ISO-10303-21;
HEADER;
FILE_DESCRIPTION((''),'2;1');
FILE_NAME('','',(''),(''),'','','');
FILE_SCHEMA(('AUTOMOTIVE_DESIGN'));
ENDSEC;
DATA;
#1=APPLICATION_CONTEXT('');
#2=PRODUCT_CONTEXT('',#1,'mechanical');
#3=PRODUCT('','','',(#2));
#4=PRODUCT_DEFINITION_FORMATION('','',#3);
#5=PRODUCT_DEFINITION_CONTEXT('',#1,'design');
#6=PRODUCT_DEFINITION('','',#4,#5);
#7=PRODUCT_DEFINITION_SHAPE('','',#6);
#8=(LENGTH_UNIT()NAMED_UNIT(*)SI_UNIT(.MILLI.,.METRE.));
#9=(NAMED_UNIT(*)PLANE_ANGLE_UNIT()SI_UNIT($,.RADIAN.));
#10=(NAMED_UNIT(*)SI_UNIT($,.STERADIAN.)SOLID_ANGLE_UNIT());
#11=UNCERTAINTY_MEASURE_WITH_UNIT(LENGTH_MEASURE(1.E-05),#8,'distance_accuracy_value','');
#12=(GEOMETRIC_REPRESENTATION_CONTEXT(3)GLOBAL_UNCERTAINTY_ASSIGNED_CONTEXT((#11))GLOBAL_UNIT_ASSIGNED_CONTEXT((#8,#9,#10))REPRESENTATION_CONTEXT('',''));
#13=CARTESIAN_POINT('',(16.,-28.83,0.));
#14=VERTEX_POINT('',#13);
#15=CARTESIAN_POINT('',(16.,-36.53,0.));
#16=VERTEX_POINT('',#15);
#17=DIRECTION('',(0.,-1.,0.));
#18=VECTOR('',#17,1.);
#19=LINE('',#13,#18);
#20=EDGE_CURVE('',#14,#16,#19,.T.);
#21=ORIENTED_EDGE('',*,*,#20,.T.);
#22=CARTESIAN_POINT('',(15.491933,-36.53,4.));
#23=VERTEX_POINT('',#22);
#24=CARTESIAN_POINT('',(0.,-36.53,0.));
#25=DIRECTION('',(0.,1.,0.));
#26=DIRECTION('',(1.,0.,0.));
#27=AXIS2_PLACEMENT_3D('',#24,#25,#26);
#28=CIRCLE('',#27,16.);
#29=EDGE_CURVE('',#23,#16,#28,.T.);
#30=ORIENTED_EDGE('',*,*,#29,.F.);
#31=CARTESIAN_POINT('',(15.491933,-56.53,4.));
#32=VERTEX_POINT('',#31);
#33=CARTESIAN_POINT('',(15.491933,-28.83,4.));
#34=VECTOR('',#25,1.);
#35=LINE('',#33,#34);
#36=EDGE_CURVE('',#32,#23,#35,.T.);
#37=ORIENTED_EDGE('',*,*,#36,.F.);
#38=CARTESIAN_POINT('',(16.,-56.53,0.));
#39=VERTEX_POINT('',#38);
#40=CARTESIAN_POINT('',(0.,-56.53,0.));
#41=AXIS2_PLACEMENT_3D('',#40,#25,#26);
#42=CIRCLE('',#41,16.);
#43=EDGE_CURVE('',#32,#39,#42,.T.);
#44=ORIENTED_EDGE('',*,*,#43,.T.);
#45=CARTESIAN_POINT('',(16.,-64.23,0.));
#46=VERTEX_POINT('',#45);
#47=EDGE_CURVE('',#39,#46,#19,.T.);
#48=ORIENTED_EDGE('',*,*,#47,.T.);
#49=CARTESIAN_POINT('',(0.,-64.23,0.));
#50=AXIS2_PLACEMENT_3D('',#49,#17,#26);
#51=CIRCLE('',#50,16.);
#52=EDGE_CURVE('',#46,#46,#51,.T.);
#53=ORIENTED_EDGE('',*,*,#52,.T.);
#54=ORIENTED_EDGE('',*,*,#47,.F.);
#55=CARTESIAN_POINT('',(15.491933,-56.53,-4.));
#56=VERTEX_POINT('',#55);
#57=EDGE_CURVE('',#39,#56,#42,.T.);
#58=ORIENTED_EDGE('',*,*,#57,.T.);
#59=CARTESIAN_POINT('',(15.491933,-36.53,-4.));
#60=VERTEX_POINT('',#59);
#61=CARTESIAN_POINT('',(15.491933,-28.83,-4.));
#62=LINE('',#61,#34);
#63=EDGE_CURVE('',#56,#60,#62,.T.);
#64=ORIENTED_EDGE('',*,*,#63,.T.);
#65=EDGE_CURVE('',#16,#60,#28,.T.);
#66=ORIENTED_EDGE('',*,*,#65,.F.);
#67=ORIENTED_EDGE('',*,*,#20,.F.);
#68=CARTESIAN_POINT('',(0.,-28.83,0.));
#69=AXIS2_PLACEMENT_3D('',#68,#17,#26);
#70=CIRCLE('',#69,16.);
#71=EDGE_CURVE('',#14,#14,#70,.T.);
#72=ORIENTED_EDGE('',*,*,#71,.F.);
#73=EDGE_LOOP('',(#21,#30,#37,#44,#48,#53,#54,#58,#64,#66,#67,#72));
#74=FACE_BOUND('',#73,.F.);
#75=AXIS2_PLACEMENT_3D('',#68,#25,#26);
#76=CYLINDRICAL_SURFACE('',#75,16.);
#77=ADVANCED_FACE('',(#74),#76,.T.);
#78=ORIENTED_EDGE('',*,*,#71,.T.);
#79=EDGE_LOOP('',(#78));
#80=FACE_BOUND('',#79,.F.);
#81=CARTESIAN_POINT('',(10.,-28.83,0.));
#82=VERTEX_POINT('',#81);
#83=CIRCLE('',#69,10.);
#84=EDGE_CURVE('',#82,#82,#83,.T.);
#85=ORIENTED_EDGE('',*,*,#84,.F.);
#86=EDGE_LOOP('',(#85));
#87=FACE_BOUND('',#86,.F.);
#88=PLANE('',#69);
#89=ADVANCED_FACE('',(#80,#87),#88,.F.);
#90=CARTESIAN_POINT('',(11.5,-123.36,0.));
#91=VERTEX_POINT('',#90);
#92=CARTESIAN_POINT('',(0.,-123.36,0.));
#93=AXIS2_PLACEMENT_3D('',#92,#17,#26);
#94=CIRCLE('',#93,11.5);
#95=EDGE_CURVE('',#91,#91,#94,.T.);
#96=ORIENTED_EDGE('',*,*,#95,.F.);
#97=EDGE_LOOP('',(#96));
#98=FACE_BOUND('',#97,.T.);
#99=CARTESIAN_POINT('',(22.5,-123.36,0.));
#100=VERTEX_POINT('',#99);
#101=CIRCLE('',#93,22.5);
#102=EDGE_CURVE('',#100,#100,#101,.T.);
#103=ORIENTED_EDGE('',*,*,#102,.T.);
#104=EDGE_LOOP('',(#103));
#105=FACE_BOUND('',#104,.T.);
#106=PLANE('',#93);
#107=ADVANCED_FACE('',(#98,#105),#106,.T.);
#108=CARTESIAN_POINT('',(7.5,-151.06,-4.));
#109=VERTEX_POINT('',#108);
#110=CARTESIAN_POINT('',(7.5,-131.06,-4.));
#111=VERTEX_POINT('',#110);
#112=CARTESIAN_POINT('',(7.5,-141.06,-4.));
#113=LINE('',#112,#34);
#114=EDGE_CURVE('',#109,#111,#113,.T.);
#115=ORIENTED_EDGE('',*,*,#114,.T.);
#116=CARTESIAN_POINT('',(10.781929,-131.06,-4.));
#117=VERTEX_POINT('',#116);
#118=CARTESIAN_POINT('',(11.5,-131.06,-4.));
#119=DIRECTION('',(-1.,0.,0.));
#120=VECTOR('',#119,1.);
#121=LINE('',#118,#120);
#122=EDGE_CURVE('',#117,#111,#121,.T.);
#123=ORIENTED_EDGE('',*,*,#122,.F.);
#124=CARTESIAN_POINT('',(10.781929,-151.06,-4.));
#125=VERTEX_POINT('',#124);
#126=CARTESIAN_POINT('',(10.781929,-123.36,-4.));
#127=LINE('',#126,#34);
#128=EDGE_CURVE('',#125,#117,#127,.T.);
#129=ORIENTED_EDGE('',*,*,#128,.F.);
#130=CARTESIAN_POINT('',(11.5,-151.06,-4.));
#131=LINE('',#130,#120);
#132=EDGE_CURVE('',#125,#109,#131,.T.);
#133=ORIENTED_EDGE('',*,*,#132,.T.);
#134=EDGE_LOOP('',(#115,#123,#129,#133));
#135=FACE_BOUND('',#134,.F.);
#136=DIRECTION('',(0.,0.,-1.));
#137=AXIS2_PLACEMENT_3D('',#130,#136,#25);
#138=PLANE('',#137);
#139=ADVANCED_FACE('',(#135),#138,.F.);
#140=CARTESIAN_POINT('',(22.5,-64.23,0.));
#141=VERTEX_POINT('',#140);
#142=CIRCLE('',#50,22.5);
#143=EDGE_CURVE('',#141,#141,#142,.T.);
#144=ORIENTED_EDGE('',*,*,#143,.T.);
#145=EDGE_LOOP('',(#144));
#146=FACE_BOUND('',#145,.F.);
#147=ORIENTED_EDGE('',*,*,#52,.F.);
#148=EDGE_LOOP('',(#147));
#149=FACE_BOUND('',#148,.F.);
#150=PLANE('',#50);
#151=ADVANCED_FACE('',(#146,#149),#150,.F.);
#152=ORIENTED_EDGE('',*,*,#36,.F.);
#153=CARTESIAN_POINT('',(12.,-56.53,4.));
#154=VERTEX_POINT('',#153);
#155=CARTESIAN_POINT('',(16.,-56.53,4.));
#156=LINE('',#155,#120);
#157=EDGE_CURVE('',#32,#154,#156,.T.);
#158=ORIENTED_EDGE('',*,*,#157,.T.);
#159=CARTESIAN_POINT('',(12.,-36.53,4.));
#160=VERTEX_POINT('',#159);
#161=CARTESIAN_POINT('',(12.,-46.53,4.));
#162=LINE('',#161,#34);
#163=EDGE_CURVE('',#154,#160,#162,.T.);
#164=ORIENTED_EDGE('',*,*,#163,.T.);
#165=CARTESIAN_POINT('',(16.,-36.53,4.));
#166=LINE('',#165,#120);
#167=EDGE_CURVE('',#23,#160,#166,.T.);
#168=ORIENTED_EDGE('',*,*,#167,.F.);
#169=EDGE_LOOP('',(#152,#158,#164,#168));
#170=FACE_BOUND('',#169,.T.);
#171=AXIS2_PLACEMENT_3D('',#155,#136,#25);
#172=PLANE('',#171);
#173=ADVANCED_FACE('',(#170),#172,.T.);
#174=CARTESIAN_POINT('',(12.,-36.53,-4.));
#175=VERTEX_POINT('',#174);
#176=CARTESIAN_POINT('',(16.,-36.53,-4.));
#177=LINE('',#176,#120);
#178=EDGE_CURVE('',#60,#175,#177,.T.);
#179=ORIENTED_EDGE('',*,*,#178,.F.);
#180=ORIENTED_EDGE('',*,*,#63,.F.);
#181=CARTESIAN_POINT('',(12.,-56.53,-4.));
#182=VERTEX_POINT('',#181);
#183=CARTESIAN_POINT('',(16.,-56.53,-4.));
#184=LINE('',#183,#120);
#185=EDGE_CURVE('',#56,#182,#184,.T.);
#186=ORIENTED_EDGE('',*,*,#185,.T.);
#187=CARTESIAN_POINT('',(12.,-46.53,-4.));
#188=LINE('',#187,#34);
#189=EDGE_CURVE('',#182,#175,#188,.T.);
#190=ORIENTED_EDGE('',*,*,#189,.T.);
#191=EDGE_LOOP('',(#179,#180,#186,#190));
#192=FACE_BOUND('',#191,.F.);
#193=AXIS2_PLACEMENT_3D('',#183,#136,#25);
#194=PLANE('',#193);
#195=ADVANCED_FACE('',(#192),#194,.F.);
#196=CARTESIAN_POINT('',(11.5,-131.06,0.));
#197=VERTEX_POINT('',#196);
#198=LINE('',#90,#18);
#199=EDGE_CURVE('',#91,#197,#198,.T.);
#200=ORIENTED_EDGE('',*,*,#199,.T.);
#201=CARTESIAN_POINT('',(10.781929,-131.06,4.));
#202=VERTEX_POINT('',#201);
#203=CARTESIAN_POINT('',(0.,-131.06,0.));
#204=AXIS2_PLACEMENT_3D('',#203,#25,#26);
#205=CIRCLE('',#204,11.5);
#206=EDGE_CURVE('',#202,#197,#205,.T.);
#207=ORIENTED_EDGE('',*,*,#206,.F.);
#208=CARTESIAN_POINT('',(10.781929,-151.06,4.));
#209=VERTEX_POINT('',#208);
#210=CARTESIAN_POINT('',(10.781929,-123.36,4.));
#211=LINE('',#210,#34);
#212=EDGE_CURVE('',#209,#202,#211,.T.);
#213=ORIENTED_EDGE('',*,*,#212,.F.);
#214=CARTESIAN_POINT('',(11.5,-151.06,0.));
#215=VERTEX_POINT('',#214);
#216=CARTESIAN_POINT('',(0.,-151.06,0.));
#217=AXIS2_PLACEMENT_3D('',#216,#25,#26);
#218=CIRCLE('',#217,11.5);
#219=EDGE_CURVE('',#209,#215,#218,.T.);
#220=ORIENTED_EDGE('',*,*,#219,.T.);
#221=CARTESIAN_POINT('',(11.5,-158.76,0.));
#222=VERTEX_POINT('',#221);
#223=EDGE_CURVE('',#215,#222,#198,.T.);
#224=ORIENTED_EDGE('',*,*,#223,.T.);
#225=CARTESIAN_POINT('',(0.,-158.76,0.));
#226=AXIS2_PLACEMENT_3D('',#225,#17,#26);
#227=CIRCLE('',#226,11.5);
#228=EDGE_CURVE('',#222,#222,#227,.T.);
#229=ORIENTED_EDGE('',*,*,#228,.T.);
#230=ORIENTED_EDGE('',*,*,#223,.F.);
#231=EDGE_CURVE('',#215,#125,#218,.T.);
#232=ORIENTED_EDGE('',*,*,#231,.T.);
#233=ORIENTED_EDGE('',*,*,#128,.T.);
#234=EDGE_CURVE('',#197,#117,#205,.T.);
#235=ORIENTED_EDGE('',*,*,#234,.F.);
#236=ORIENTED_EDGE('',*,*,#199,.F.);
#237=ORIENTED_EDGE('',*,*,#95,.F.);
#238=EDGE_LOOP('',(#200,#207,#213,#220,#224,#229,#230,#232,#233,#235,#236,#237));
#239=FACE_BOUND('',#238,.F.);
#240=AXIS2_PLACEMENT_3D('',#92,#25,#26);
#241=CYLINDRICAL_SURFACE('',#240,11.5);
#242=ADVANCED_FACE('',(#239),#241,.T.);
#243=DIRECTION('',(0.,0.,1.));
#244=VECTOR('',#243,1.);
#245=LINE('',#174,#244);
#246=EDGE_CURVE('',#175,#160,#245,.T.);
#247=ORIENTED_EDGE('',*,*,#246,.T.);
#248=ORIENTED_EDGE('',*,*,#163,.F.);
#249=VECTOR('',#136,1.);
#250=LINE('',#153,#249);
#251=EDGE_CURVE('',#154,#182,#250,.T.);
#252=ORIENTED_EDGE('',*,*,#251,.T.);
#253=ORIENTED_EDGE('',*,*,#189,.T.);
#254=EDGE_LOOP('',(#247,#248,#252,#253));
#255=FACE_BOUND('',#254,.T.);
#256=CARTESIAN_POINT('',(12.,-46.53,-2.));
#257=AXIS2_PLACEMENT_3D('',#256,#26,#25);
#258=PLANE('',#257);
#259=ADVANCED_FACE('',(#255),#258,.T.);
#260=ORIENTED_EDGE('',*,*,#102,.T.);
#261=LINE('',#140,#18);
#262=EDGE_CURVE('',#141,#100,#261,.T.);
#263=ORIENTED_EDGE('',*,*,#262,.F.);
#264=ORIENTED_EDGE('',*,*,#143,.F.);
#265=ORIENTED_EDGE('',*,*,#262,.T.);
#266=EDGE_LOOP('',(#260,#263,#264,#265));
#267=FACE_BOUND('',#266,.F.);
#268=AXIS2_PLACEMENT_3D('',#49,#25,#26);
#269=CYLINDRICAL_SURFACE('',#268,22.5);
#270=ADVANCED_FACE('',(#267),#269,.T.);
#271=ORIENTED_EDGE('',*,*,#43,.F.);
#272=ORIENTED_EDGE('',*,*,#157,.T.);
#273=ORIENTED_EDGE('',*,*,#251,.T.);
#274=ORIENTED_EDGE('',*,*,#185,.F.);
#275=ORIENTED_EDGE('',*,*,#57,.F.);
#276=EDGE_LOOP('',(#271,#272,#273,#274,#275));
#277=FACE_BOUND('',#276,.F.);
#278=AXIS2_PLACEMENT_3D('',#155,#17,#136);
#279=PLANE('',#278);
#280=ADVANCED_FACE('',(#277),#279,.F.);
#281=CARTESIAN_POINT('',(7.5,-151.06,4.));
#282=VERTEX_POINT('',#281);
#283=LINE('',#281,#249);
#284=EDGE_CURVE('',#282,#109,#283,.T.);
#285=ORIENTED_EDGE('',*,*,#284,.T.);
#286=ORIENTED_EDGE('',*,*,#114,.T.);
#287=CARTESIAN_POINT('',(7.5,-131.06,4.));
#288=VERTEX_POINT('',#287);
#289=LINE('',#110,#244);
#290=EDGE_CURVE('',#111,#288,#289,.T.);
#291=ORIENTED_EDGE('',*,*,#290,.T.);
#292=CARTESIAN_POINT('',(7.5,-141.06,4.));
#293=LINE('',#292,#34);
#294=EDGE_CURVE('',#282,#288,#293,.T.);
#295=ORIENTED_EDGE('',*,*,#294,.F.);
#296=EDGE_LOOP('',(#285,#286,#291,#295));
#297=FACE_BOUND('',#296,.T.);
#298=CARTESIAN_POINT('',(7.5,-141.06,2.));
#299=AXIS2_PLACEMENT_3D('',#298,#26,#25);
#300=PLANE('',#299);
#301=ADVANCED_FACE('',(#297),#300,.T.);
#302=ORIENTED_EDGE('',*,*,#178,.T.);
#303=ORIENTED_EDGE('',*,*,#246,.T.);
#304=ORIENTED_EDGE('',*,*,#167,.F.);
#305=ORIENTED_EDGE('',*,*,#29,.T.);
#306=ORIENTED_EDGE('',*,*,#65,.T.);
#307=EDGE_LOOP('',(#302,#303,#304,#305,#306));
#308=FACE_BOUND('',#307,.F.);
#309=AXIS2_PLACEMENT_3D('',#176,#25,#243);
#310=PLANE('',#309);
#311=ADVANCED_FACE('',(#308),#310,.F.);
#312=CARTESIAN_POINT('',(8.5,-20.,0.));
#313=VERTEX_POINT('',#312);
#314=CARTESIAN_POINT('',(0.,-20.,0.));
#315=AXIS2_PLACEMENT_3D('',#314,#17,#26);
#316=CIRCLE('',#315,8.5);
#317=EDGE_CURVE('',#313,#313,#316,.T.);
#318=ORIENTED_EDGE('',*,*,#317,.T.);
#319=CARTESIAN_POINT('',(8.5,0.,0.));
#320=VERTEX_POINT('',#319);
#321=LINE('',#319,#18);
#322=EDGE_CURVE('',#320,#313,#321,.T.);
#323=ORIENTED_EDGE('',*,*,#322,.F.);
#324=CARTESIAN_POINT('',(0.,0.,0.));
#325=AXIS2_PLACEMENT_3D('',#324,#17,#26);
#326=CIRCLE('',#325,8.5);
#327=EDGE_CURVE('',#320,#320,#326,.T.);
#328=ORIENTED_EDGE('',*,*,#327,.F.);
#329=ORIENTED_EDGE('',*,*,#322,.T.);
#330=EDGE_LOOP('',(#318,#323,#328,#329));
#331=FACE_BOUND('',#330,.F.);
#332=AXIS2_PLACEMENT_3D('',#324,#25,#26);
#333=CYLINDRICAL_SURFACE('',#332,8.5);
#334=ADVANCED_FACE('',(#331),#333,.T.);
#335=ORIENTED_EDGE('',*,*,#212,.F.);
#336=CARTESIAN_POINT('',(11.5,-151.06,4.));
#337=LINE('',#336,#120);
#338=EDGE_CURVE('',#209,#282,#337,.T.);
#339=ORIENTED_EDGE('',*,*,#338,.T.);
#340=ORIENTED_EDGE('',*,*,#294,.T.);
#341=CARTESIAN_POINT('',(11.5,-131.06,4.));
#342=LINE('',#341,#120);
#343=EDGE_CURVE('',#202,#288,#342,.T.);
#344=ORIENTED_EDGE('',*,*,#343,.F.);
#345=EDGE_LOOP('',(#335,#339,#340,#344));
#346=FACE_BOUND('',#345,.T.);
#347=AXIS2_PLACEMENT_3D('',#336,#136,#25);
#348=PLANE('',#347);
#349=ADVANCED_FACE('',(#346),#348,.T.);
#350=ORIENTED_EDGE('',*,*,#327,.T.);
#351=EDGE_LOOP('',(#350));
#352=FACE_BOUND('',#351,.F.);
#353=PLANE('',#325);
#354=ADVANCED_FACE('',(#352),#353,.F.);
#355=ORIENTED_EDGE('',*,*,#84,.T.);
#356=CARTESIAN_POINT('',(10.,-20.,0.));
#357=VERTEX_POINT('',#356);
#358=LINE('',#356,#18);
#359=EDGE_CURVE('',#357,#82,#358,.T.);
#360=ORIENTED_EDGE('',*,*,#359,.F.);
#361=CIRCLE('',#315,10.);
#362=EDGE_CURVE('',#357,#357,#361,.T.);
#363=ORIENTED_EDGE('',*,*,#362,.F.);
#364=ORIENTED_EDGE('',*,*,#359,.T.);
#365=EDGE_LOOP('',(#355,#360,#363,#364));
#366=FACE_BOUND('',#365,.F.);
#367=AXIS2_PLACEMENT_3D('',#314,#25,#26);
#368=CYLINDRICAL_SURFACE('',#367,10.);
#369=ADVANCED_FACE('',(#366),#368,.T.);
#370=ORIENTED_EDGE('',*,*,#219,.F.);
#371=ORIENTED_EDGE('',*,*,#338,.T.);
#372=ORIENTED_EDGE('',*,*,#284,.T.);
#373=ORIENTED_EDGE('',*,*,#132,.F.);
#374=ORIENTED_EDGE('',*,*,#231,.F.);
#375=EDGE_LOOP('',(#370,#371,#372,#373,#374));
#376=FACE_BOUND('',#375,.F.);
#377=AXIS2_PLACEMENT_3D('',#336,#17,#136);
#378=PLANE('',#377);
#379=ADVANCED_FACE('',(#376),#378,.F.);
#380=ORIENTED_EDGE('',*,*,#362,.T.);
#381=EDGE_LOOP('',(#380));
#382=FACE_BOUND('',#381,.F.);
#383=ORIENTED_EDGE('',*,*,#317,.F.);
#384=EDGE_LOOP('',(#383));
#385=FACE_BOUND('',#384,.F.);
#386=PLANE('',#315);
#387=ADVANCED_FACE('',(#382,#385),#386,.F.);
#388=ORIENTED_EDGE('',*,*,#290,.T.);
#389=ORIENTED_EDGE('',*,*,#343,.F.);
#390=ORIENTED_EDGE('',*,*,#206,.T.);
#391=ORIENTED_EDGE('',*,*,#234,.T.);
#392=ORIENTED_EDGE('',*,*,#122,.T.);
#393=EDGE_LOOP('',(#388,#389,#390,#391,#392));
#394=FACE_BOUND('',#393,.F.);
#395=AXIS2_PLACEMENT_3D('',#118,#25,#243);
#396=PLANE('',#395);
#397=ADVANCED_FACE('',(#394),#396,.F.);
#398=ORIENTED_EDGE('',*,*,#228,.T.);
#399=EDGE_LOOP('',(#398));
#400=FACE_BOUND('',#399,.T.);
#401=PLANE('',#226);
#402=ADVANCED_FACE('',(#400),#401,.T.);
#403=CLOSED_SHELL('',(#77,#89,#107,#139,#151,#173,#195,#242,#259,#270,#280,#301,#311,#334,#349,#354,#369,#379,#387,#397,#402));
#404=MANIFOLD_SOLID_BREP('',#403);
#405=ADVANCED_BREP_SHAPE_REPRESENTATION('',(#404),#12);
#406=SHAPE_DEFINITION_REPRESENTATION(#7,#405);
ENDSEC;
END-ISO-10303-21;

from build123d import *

# Parameters (mm, degrees)
F0_R      = 8.5
F1_DEPTH  = 20
F2_R      = 10
F3_DEPTH  = 8.83
F4_R      = 16
F5_DEPTH  = 35.4
F6_R      = 22.5
F7_DEPTH  = 59.13
F8_R      = 11.5
F9_DEPTH  = 35.4
F12_W     = 20
F12_H     = 4
F13_DEPTH = 4
F15_W     = 20
F15_H     = 4
F16_DEPTH = 4


with BuildPart() as f1:
    # F0 (on Front) → F1 (new body)
    with BuildSketch(Plane.XZ):
        Circle(F0_R)
    extrude(amount=F1_DEPTH)

    # F2 (on face) → F3 (join)
    with BuildSketch(Plane.XZ.offset(20)):
        Circle(F2_R)
    extrude(amount=F3_DEPTH)

    # F4 (on face) → F5 (join)
    with BuildSketch(Plane.XZ.offset(28.83)):
        Circle(F4_R)
    extrude(amount=F5_DEPTH)

    # F6 (on face) → F7 (join)
    with BuildSketch(Plane.XZ.offset(64.23)):
        Circle(F6_R)
    extrude(amount=F7_DEPTH)

    # F8 (on face) → F9 (join)
    with BuildSketch(Plane.XZ.offset(123.36)):
        Circle(F8_R)
    extrude(amount=F9_DEPTH)

    # F12 (on offset) → F13 (cut)
    with BuildSketch(Plane.YZ.offset(11.5)):
        with Locations((-141.06, 2)):
            Rectangle(F12_W, F12_H)
        with Locations((-141.06, -2)):
            Rectangle(F12_W, F12_H)
    extrude(amount=-F13_DEPTH, mode=Mode.SUBTRACT)

    # F15 (on offset) → F16 (cut)
    with BuildSketch(Plane.YZ.offset(16)):
        with Locations((-46.53, -2)):
            Rectangle(F15_W, F15_H)
        with Locations((-46.53, 2)):
            Rectangle(F15_W, F15_H)
    extrude(amount=-F16_DEPTH, mode=Mode.SUBTRACT)


solid = f1.part
